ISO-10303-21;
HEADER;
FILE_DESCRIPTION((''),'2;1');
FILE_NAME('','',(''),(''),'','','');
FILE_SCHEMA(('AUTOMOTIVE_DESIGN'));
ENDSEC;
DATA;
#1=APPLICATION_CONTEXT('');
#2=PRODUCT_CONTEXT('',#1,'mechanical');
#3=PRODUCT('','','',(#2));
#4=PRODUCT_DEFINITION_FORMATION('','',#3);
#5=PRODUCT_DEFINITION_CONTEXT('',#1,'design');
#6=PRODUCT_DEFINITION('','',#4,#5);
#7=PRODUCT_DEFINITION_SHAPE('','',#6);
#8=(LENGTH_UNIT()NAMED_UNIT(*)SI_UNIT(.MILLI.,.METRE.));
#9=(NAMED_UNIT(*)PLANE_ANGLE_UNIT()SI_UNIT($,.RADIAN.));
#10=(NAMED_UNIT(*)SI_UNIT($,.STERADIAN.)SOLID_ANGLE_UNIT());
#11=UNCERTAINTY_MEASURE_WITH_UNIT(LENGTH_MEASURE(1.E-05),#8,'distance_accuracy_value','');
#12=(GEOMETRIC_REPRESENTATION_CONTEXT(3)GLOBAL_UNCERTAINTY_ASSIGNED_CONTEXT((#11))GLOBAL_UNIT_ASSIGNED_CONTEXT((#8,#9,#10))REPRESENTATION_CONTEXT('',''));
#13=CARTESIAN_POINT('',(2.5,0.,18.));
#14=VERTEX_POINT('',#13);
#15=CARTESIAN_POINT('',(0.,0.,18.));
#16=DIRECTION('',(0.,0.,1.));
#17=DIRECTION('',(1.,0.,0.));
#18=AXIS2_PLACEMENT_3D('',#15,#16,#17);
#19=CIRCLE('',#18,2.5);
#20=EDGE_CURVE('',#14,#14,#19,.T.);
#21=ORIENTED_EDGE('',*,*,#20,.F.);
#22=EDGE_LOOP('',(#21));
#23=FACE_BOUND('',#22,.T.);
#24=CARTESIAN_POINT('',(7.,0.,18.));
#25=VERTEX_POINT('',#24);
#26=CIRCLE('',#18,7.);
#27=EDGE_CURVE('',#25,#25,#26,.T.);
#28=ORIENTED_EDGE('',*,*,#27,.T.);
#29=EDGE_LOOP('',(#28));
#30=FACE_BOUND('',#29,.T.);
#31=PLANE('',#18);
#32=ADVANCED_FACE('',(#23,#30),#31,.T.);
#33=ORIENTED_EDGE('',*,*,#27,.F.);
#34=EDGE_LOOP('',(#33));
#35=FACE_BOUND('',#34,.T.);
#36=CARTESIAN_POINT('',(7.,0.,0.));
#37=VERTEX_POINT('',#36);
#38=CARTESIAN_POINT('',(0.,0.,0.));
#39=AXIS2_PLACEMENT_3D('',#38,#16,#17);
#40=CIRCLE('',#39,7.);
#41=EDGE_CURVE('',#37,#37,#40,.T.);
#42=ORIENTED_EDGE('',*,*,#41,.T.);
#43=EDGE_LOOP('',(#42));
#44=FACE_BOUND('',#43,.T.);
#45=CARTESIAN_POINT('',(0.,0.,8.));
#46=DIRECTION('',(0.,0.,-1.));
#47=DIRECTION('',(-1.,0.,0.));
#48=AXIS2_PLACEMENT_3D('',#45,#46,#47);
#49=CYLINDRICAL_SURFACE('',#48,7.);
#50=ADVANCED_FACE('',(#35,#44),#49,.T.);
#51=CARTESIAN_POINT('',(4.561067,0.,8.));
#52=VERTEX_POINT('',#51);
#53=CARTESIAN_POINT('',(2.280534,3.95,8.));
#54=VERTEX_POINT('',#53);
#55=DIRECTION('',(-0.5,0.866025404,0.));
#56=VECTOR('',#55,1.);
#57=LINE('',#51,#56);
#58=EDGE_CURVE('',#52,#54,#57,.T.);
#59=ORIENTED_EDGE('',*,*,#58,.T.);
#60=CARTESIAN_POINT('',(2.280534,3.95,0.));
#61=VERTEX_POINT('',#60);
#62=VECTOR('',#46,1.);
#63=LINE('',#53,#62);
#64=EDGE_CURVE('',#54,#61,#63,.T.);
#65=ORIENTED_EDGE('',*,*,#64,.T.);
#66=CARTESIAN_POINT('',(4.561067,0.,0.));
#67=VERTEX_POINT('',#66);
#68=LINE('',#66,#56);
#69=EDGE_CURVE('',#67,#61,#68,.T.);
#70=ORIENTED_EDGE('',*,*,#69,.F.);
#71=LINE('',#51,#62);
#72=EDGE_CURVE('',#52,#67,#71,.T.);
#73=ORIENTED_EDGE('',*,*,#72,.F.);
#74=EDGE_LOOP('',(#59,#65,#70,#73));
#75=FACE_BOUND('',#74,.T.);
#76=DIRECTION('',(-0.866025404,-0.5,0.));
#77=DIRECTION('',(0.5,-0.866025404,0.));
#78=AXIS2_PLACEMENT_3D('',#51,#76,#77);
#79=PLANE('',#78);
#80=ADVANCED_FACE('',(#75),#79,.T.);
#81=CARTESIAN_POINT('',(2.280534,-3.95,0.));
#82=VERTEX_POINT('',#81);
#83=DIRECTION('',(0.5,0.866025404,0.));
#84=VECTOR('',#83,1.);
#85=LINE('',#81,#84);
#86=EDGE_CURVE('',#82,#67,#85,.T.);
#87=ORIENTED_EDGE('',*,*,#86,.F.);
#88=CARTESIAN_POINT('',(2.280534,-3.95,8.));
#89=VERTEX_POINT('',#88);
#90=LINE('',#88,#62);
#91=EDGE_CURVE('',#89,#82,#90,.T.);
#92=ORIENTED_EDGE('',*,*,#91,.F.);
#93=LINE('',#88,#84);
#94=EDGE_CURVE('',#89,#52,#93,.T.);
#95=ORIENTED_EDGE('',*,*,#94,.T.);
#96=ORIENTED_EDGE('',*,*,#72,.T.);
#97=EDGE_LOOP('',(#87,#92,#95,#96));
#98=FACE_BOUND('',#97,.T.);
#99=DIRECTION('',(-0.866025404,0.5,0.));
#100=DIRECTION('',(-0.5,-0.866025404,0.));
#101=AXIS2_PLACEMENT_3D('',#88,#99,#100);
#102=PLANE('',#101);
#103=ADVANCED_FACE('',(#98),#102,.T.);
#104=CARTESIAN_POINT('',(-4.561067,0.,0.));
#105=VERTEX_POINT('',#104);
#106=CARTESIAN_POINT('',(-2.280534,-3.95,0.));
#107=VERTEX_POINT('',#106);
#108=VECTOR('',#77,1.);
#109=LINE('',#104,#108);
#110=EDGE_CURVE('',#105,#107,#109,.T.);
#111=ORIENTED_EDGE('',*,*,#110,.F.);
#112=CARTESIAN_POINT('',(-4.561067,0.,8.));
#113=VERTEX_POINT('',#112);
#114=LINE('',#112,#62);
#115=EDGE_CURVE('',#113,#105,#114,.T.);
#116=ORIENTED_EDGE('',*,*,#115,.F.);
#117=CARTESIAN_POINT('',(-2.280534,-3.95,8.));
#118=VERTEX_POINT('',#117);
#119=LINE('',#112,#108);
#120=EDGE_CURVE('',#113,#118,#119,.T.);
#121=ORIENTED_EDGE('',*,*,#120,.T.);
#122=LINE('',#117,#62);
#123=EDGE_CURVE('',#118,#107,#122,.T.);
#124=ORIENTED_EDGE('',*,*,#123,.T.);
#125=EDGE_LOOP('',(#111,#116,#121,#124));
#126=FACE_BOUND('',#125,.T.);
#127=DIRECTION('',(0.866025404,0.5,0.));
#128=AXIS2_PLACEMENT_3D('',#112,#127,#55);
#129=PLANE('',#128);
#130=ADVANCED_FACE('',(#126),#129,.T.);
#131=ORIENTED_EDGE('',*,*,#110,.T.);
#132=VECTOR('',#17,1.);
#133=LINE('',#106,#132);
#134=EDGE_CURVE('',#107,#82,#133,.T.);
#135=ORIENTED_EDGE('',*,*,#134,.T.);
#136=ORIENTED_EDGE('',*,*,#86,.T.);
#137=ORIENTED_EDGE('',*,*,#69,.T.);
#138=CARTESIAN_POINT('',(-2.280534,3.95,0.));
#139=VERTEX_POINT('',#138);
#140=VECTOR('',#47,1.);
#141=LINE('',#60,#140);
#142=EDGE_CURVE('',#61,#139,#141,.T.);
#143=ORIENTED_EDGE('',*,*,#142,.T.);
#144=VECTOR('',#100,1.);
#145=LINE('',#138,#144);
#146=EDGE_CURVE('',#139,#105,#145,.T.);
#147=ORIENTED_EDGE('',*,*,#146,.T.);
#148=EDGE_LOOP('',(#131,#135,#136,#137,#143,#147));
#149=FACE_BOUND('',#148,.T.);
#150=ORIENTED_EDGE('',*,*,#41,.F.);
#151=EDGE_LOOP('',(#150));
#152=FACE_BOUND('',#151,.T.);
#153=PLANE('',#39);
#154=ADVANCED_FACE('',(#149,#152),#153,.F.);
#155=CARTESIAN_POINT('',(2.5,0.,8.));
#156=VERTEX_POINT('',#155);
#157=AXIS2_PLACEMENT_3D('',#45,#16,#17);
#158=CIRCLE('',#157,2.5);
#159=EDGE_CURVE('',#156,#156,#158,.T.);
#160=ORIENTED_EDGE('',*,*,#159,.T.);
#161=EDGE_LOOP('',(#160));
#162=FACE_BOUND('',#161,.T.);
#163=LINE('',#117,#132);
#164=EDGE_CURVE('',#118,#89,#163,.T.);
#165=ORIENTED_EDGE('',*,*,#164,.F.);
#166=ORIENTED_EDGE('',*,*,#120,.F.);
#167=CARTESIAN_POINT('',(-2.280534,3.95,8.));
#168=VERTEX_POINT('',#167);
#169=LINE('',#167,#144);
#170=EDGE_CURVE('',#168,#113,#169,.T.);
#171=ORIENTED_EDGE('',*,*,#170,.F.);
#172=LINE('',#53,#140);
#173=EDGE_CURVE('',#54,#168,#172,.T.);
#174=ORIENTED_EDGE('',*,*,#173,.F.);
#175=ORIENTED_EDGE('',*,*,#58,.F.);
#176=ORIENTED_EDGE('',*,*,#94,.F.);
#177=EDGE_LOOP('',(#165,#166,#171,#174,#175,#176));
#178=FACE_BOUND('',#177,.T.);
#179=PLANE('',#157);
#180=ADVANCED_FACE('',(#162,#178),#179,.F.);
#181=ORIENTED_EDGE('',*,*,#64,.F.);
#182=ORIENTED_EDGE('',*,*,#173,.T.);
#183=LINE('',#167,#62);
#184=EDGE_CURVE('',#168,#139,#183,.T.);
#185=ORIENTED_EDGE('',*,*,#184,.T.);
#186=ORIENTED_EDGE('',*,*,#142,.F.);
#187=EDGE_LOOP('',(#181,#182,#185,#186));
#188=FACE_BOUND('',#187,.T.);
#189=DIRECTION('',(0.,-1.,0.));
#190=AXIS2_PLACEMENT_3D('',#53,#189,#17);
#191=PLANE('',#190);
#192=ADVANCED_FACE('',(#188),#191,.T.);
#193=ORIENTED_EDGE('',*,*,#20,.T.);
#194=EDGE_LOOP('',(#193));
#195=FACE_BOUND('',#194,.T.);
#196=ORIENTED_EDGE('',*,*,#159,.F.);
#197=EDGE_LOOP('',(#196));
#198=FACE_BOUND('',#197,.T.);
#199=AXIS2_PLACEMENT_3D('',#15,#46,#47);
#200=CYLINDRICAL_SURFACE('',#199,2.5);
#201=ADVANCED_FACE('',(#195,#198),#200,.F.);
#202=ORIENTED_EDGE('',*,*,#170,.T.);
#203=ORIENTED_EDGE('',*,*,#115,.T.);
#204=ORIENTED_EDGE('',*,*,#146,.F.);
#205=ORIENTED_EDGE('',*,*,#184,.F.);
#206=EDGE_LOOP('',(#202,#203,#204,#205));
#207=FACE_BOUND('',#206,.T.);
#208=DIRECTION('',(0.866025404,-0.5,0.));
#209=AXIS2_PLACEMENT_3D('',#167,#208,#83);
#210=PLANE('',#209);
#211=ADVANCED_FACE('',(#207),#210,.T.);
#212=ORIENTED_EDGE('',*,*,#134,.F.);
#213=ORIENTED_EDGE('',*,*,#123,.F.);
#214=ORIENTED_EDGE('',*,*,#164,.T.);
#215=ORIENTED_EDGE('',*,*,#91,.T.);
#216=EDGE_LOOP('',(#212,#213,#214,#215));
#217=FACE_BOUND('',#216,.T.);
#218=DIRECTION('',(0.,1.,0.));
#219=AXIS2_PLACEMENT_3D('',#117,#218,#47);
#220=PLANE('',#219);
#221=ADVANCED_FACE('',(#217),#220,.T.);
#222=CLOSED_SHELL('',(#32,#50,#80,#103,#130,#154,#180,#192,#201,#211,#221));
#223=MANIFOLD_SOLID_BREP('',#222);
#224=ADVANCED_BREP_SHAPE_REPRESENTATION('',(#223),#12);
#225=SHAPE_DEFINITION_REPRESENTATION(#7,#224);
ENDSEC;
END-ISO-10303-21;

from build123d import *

# Parameters (mm, degrees)
SKETCH_1_R      = 7
EXTRUDE_1_DEPTH = 8
SKETCH_2_R      = 7
SKETCH_2_R_2    = 2.5
EXTRUDE_2_DEPTH = 10


with BuildPart() as part:
    # Эскиз1 → Бобышка-Вытянуть1 (new body)
    with BuildSketch(Plane.XY):
        Circle(SKETCH_1_R)
        Polygon((2.280533563, -3.95), (4.561067127, 0), (2.280533563, 3.95), (-2.280533563, 3.95), (-4.561067127, 0), (-2.280533563, -3.95), align=None, mode=Mode.SUBTRACT)
    extrude(amount=EXTRUDE_1_DEPTH)

    # Эскиз2 → Бобышка-Вытянуть2 (add)
    with BuildSketch(Plane.XY.offset(8)):
        Circle(SKETCH_2_R)
        Circle(SKETCH_2_R_2, mode=Mode.SUBTRACT)
    extrude(amount=EXTRUDE_2_DEPTH)


solid = part.part
